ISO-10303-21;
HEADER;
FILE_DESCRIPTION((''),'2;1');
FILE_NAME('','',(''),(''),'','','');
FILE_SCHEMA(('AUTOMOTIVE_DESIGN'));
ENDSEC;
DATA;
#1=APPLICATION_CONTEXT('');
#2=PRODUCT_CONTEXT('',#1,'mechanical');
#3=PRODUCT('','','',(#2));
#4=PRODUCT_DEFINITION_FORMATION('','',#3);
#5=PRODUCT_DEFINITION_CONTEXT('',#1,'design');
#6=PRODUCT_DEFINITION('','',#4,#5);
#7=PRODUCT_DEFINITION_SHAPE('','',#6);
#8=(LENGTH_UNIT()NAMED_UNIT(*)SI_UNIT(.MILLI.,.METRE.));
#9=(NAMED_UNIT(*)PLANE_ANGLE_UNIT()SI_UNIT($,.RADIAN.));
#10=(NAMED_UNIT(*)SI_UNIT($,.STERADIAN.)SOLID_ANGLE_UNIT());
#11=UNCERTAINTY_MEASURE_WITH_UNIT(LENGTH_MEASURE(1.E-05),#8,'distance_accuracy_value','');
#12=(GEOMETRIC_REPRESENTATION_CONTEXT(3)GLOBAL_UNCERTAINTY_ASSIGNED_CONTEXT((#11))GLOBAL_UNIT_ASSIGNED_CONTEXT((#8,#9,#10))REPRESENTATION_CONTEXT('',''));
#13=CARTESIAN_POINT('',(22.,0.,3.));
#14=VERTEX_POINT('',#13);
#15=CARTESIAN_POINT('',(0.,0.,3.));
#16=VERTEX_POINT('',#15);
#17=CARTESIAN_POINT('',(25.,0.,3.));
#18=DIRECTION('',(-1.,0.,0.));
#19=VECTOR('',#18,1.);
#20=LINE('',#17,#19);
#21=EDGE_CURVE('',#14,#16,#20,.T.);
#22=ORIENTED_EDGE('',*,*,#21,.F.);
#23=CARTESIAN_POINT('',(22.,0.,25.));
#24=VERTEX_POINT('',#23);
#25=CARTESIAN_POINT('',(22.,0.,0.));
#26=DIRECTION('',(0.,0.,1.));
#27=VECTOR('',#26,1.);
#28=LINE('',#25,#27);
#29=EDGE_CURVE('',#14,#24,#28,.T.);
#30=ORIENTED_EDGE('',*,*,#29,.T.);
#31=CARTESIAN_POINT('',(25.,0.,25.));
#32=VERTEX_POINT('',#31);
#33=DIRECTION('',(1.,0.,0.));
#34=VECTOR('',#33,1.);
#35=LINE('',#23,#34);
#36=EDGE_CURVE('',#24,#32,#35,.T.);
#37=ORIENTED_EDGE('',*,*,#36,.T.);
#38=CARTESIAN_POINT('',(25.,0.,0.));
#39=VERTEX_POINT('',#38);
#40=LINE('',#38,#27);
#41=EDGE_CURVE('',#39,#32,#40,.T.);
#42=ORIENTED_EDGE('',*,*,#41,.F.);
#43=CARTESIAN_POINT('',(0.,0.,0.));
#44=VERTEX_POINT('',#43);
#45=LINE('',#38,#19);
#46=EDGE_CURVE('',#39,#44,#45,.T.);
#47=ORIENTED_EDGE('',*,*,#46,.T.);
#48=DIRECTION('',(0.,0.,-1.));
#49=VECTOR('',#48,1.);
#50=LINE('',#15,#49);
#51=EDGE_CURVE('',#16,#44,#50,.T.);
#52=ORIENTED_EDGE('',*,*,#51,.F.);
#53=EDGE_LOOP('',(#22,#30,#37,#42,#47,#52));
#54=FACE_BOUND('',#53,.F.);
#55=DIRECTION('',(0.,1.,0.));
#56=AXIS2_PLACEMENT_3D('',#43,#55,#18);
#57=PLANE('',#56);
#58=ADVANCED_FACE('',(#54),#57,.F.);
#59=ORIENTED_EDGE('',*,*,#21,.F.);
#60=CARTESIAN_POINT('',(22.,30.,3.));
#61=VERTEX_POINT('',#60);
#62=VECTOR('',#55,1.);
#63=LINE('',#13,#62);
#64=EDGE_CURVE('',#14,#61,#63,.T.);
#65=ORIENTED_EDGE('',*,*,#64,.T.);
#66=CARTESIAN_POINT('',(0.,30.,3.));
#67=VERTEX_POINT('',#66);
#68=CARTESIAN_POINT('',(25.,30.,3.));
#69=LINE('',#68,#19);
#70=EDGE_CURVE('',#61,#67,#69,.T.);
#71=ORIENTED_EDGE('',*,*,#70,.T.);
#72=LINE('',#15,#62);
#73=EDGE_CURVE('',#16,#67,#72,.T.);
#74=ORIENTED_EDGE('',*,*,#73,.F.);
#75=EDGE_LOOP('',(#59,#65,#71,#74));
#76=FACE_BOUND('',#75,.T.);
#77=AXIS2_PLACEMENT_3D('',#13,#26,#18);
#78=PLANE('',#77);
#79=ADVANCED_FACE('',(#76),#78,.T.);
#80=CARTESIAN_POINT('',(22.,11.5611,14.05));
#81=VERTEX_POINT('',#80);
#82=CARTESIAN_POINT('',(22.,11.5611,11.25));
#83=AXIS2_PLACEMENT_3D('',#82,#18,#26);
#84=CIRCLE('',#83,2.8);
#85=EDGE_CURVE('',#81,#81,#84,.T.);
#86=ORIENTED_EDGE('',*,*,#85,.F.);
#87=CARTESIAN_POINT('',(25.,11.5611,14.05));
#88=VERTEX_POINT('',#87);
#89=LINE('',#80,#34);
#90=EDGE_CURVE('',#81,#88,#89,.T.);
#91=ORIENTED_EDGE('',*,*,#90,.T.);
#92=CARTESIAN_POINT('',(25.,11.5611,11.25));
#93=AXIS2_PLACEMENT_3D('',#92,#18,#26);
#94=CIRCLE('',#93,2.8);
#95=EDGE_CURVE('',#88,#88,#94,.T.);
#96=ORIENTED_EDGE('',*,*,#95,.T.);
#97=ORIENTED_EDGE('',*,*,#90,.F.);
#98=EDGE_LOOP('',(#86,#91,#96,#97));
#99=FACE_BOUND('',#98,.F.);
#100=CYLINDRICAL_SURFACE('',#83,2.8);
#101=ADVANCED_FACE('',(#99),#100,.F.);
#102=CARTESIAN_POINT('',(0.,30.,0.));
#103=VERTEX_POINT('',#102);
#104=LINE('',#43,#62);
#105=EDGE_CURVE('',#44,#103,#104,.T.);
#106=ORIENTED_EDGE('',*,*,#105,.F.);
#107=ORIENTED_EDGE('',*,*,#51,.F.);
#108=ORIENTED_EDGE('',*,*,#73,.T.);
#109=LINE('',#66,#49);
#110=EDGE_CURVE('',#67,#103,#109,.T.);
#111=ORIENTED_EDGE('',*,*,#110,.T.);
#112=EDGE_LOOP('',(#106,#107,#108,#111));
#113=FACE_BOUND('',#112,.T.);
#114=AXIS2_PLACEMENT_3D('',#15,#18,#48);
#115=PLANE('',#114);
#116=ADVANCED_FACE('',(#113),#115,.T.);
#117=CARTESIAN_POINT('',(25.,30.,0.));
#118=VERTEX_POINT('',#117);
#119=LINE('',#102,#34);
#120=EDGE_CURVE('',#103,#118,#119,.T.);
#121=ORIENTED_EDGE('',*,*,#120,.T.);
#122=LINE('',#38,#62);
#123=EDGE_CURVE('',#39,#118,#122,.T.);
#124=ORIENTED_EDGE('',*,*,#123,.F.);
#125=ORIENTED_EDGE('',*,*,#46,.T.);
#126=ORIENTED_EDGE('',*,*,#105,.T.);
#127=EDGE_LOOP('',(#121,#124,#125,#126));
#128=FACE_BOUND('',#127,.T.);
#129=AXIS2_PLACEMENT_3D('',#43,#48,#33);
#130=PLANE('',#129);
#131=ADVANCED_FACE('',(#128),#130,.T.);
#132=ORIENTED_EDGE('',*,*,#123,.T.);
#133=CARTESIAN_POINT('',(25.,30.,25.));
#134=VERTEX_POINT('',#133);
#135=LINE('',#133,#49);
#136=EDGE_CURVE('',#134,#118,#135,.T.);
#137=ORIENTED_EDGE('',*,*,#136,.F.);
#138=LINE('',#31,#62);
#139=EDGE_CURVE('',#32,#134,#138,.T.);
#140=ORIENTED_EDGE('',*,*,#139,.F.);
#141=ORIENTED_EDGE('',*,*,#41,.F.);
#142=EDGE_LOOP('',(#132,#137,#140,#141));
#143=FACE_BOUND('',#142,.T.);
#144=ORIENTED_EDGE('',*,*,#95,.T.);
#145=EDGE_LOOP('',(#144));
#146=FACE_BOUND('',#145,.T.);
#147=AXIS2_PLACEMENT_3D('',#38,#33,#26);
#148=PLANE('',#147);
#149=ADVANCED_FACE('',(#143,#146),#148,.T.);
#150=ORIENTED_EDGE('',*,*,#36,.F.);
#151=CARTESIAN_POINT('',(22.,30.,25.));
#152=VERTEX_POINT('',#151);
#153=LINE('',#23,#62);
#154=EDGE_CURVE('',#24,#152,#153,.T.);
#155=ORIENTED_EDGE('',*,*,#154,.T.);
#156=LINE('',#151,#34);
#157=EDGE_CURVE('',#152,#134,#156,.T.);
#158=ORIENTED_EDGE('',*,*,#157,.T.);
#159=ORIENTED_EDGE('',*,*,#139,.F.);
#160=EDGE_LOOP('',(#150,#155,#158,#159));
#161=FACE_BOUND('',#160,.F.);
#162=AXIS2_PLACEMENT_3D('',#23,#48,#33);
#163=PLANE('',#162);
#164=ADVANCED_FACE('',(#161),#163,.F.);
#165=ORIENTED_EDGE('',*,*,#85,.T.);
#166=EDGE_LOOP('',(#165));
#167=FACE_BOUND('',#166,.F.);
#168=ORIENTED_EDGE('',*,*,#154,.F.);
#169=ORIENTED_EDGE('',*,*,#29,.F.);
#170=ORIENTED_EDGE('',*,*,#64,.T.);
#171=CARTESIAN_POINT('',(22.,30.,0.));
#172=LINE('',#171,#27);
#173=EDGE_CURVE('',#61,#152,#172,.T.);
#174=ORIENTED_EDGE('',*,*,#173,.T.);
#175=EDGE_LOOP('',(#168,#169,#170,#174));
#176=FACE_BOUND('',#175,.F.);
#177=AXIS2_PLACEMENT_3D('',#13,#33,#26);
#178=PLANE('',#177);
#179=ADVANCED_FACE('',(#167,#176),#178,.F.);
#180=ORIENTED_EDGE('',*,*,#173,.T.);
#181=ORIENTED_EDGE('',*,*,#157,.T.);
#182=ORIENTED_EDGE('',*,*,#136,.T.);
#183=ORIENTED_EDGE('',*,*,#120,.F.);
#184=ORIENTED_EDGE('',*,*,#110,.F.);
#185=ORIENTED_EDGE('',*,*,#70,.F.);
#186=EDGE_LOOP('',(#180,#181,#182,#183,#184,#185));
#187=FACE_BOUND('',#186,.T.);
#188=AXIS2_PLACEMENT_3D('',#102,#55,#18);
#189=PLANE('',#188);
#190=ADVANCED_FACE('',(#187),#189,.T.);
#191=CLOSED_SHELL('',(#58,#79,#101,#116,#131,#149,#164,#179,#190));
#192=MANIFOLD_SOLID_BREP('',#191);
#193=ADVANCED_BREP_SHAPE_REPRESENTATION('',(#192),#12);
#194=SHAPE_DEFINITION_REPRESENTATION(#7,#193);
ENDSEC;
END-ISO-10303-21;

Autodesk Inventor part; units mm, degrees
ref_plane "YZ Plane" through (0, 0, 0) normal (1, 0, 0) x (0, 1, 0)
ref_plane "XZ Plane" through (0, 0, 0) normal (0, 1, 0) x (-1, 0, 0)
ref_plane "XY Plane" through (0, 0, 0) normal (0, 0, 1) x (1, 0, 0)
sketch "Sketch1" plane through (0, 0, 0) normal (0, 1, 0) x (-1, 0, 0)
  line L0 (0, 0) -> (-25, 0)
  line L1 (-25, 0) -> (-25, 3)
  line L2 (-25, 3) -> (0, 3)
  line L3 (0, 3) -> (0, 0)
  line L4 (-25, 0) -> (-22, 0)
  line L5 (-22, 0) -> (-22, 25)
  line L6 (-22, 25) -> (-25, 25)
  line L7 (-25, 25) -> (-25, 0)
  point P0 (0, 1.5)
  point P1 (-22, 3)
  dimension "d0" = 3
  dimension "d1" = 25
  dimension "d2" = 3
  dimension "d3" = 25
extrude "Extrusion1" add sketch "Sketch1" along normal blind 30
sketch "Sketch2" plane through (22, 0, 3) normal (-1, 0, 0) x (0, 0, 1)
  circle A0 centre (8.25, 11.5611) radius 2.8 projected
  circle A1 centre (17, 32.0611) radius 1.5 projected
  circle A2 centre (-0.5, 32.0611) radius 1.5 projected
  point P0 (-3, 0)
extrude "Extrusion2" cut sketch "Sketch2" against normal blind 30
properties part number "connector"
